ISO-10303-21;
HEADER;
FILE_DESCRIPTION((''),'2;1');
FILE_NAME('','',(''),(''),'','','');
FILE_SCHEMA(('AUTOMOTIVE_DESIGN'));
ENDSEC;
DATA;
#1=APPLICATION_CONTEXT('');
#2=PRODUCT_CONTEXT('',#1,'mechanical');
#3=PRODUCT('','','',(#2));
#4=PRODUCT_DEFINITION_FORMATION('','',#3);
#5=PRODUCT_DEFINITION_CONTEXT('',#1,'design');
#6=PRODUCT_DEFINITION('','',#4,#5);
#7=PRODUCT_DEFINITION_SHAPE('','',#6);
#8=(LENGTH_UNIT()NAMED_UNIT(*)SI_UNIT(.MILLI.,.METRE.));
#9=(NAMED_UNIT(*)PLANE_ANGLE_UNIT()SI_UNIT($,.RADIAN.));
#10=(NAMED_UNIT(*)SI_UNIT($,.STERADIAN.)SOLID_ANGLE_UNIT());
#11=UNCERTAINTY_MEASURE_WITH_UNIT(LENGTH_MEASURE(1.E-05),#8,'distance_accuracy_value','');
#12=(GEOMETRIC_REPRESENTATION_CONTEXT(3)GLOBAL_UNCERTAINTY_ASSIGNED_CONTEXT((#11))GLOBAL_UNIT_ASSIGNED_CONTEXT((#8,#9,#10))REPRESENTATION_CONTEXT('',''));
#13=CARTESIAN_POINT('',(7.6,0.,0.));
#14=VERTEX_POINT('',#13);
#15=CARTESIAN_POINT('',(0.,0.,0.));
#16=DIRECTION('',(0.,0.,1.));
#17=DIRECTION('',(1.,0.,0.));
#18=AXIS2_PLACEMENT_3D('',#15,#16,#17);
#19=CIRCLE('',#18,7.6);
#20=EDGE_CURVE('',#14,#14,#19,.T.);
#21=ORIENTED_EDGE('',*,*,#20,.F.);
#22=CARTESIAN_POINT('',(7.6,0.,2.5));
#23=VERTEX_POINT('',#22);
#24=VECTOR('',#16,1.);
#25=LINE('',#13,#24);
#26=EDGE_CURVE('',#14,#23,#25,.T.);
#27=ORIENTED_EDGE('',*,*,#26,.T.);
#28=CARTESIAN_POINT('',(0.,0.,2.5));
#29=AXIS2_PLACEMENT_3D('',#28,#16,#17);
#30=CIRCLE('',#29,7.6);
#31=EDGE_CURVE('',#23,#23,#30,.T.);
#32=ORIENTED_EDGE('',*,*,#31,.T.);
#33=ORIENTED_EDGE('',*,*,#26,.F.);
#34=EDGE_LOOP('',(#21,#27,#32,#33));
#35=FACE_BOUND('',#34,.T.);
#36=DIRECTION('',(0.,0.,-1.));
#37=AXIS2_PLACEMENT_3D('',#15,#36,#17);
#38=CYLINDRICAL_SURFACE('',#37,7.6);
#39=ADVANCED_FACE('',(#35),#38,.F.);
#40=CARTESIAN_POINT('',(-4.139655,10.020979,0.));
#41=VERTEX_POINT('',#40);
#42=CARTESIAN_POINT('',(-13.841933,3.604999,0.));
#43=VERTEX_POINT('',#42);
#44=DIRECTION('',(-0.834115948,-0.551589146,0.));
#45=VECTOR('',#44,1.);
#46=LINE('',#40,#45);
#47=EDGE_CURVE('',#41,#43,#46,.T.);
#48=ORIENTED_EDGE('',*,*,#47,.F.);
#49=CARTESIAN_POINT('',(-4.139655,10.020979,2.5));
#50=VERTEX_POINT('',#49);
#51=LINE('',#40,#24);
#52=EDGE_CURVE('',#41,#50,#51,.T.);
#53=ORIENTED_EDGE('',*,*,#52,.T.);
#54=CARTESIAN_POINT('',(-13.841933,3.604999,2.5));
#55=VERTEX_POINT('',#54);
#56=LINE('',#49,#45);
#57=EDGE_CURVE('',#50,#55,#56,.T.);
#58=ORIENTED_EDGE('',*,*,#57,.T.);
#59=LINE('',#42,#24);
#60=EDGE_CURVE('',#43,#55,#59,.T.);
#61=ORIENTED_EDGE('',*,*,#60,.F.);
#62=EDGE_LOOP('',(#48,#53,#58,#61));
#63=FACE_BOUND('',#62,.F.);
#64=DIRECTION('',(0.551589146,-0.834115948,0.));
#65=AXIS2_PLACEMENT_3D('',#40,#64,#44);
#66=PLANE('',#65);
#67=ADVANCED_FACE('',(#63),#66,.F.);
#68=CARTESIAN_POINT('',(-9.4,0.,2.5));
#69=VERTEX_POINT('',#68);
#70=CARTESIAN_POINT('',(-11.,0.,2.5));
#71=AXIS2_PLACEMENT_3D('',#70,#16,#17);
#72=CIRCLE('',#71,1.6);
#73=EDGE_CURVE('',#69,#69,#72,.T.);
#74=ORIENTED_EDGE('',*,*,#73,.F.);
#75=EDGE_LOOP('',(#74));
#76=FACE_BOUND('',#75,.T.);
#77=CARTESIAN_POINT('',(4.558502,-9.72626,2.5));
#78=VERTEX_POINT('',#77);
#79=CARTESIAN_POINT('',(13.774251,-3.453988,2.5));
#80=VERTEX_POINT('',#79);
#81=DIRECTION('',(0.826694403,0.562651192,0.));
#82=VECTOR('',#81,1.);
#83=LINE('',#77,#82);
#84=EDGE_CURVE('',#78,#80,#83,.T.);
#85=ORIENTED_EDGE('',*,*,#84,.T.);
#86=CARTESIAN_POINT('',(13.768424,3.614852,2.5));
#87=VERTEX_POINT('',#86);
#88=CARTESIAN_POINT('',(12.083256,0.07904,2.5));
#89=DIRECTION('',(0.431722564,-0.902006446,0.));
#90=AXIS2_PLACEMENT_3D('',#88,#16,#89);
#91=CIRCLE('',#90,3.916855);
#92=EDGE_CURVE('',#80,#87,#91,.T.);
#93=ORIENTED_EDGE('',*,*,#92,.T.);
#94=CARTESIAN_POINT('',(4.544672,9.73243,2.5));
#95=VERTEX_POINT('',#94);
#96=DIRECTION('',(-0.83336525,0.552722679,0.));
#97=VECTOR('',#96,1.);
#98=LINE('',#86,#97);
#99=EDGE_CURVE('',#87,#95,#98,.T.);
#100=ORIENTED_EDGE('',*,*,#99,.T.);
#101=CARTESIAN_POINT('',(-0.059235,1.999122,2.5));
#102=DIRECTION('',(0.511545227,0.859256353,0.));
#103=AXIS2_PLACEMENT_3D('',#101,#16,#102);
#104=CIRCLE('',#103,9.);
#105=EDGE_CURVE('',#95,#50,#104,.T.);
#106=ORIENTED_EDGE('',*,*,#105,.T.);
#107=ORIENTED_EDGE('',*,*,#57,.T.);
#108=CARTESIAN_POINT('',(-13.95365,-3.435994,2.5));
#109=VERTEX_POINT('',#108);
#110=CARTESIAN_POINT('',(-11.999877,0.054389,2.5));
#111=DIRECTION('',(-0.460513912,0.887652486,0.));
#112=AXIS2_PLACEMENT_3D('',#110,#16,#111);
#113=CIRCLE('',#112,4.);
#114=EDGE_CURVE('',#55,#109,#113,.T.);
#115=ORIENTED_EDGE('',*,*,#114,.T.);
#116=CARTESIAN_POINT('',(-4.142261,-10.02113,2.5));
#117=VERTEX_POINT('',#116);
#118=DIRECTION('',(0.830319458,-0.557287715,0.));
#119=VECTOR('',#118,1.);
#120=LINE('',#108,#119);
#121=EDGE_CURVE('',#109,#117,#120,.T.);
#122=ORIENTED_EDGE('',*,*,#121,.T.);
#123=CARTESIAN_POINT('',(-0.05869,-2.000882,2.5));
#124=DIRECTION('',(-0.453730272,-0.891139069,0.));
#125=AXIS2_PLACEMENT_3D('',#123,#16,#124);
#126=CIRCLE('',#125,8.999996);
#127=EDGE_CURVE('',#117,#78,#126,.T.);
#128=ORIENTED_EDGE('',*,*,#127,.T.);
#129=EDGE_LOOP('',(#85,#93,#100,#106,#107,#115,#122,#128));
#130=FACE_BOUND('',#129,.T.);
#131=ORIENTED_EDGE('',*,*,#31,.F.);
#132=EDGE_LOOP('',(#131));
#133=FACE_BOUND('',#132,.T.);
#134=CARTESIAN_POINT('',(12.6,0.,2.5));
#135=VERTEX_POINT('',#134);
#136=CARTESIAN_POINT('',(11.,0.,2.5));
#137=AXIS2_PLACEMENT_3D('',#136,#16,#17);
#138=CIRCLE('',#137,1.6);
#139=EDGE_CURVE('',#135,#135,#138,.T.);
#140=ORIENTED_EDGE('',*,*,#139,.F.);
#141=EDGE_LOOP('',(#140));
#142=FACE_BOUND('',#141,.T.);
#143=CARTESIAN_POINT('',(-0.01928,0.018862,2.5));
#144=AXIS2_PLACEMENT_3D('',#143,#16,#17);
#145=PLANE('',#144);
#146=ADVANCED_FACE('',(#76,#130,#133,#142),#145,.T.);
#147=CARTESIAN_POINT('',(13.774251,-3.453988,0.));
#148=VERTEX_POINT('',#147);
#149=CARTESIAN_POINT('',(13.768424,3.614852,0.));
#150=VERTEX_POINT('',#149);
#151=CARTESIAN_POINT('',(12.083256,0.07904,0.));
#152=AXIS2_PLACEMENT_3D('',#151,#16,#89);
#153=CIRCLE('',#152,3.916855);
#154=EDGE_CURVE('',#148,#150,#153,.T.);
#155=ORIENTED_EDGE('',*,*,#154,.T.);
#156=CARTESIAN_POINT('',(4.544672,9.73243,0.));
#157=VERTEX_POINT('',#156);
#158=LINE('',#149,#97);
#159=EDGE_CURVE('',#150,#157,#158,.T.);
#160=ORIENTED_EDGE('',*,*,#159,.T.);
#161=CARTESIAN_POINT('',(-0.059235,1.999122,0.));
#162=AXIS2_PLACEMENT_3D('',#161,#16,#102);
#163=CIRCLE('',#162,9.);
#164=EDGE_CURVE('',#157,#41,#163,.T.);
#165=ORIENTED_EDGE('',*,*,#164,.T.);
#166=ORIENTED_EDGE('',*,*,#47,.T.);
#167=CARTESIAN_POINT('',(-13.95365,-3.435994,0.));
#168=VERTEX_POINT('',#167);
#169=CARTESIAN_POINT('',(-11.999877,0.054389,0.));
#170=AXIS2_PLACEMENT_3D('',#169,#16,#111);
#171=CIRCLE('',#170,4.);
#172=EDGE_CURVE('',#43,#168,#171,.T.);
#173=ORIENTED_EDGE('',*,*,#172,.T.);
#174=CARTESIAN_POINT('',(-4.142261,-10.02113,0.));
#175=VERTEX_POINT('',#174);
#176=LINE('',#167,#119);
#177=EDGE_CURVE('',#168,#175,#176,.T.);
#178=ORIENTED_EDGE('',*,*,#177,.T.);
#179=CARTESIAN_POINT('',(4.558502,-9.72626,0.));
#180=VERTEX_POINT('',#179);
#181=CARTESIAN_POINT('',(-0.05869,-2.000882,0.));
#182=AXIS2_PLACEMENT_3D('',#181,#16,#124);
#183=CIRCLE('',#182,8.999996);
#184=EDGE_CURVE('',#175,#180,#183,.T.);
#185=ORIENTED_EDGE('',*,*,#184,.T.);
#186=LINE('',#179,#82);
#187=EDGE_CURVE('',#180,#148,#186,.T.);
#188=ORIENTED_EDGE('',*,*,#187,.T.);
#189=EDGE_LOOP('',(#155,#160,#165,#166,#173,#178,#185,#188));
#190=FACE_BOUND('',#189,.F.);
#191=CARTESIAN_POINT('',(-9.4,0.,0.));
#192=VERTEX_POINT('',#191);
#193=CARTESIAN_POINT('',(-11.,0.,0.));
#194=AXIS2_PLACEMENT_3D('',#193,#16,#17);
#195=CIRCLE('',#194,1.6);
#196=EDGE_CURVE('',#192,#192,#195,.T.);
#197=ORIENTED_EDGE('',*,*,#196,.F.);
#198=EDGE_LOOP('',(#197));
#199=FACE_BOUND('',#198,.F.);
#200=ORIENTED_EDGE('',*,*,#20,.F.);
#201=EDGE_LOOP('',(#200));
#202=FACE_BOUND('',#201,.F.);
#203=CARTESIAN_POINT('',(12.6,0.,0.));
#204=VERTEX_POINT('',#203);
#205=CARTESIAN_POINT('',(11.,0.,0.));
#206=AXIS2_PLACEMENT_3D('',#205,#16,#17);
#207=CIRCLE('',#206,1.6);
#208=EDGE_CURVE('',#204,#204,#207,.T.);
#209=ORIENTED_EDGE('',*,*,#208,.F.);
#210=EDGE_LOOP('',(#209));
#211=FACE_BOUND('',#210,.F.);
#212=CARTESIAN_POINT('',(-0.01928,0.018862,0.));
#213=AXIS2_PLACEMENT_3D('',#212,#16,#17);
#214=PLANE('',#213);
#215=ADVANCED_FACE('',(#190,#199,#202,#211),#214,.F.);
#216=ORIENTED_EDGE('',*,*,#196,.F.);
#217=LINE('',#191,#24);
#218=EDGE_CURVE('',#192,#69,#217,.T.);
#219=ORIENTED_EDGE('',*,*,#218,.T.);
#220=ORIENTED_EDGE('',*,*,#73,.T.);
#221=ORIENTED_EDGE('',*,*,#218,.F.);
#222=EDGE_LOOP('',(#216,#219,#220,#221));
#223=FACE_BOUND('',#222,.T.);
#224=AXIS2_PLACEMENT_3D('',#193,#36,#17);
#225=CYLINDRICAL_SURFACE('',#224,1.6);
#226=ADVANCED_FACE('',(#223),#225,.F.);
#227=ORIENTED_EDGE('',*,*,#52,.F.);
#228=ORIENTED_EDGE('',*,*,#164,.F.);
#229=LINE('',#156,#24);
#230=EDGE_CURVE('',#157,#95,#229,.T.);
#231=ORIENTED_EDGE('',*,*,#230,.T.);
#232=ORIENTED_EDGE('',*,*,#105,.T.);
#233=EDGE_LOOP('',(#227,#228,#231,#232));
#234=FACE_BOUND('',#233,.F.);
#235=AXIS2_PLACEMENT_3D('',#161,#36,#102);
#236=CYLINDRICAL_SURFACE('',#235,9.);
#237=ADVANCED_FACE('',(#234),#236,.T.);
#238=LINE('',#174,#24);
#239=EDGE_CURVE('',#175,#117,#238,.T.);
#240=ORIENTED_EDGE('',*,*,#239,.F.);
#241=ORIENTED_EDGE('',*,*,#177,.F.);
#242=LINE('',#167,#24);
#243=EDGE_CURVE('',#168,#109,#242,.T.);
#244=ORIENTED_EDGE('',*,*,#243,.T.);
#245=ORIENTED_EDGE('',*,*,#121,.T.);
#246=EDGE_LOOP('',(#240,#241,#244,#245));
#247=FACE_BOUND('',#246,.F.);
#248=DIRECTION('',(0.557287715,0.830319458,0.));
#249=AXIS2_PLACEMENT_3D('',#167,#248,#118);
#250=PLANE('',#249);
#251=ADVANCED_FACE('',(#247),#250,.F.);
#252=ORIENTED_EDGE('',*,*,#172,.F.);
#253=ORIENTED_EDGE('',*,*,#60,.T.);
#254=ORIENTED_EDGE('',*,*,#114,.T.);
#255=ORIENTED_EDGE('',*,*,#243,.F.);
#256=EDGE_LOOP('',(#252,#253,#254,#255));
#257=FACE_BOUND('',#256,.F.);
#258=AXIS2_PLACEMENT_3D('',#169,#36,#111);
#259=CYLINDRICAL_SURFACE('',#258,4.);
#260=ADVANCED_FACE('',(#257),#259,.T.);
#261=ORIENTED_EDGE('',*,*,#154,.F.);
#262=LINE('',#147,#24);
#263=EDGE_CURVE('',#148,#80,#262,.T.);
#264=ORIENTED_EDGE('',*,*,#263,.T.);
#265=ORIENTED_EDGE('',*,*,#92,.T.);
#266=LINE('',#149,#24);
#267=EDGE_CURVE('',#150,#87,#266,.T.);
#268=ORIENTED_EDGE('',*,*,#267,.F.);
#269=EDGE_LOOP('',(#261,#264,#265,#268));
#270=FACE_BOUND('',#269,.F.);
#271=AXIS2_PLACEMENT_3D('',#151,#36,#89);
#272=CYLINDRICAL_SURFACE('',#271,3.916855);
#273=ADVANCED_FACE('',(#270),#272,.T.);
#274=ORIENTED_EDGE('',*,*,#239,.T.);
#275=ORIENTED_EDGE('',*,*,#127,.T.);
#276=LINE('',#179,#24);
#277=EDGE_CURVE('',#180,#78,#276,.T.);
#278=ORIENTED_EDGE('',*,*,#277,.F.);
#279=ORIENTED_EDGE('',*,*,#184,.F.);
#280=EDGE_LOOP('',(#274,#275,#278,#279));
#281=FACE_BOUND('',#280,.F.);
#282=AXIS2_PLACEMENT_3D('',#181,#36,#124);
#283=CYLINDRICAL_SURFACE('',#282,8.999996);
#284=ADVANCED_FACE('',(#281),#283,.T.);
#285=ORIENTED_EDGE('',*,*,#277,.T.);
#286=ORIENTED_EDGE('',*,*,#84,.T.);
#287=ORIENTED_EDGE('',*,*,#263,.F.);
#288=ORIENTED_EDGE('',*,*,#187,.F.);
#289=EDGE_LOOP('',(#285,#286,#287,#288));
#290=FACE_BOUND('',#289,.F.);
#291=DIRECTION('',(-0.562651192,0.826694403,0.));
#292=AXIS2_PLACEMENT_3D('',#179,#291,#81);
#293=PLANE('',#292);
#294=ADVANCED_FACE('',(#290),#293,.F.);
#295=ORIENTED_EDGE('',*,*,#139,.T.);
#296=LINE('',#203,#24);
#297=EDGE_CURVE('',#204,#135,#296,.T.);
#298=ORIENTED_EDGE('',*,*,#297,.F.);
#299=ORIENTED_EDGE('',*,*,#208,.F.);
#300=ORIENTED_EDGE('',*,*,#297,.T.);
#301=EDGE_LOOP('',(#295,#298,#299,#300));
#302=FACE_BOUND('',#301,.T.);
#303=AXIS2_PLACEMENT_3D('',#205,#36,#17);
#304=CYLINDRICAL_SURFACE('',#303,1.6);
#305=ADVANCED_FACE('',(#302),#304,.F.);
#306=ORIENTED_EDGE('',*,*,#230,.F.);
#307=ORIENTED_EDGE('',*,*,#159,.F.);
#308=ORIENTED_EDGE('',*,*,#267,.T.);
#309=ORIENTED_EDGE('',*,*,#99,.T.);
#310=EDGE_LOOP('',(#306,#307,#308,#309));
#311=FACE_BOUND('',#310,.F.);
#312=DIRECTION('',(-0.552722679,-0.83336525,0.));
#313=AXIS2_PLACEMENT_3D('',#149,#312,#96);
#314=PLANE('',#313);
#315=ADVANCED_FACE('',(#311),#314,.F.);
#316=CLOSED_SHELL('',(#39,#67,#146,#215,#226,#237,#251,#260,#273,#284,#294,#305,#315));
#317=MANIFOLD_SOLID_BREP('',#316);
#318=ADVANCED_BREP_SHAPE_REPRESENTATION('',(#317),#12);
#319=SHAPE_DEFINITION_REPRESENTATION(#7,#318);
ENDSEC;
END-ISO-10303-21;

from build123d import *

# Parameters (mm, degrees)
F0_R     = 1.6
F0_R_2   = 7.6
F1_DEPTH = 2.5


with BuildPart() as f1:
    # F0 (on Top) → F1 (new body)
    with BuildSketch(Plane.XY):
        with BuildLine():
            Line((13.768424, 3.614852), (4.544672, 9.73243))
            ThreePointArc((4.544672, 9.73243), (0.239638, 10.994159), (-4.139655, 10.020979))
            Line((-4.139655, 10.020979), (-13.841933, 3.604999))
            ThreePointArc((-13.841933, 3.604999), (-15.999374, 0.117848), (-13.95365, -3.435994))
            Line((-13.95365, -3.435994), (-4.142261, -10.02113))
            ThreePointArc((-4.142261, -10.02113), (0.246146, -10.995714), (4.558502, -9.72626))
            Line((4.558502, -9.72626), (13.774251, -3.453988))
            ThreePointArc((13.774251, -3.453988), (16.00011, 0.082269), (13.768424, 3.614852))
        make_face()
        with BuildLine():
            ThreePointArc((-13.432344, -2.581524), (-14.999402, 0.107772), (-13.337643, 2.739604))
            Line((-13.337643, 2.739604), (-3.636944, 9.15454))
            ThreePointArc((-3.636944, 9.15454), (0.222239, 9.994169), (4.01282, 8.885222))
            Line((4.01282, 8.885222), (13.278848, 2.739604))
            ThreePointArc((13.278848, 2.739604), (15.000111, 0.07904), (13.278848, -2.581524))
            Line((13.278848, -2.581524), (4.020917, -8.882506))
            ThreePointArc((4.020917, -8.882506), (0.227169, -9.995769), (-3.636399, -9.156295))
            Line((-3.636399, -9.156295), (-13.432344, -2.581524))
        make_face(mode=Mode.SUBTRACT)
        with BuildLine():
            Line((-3.636944, 9.15454), (-13.337643, 2.739604))
            ThreePointArc((-13.337643, 2.739604), (-14.999402, 0.107772), (-13.432344, -2.581524))
            Line((-13.432344, -2.581524), (-3.636399, -9.156295))
            ThreePointArc((-3.636399, -9.156295), (0.227169, -9.995769), (4.020917, -8.882506))
            Line((4.020917, -8.882506), (13.278848, -2.581524))
            ThreePointArc((13.278848, -2.581524), (15.000111, 0.07904), (13.278848, 2.739604))
            Line((13.278848, 2.739604), (4.01282, 8.885222))
            ThreePointArc((4.01282, 8.885222), (0.222239, 9.994169), (-3.636944, 9.15454))
        make_face()
        with Locations((-11, 0)):
            Circle(F0_R, mode=Mode.SUBTRACT)
        Circle(F0_R_2, mode=Mode.SUBTRACT)
        with Locations((11, 0)):
            Circle(F0_R, mode=Mode.SUBTRACT)
    extrude(amount=F1_DEPTH)


solid = f1.part
